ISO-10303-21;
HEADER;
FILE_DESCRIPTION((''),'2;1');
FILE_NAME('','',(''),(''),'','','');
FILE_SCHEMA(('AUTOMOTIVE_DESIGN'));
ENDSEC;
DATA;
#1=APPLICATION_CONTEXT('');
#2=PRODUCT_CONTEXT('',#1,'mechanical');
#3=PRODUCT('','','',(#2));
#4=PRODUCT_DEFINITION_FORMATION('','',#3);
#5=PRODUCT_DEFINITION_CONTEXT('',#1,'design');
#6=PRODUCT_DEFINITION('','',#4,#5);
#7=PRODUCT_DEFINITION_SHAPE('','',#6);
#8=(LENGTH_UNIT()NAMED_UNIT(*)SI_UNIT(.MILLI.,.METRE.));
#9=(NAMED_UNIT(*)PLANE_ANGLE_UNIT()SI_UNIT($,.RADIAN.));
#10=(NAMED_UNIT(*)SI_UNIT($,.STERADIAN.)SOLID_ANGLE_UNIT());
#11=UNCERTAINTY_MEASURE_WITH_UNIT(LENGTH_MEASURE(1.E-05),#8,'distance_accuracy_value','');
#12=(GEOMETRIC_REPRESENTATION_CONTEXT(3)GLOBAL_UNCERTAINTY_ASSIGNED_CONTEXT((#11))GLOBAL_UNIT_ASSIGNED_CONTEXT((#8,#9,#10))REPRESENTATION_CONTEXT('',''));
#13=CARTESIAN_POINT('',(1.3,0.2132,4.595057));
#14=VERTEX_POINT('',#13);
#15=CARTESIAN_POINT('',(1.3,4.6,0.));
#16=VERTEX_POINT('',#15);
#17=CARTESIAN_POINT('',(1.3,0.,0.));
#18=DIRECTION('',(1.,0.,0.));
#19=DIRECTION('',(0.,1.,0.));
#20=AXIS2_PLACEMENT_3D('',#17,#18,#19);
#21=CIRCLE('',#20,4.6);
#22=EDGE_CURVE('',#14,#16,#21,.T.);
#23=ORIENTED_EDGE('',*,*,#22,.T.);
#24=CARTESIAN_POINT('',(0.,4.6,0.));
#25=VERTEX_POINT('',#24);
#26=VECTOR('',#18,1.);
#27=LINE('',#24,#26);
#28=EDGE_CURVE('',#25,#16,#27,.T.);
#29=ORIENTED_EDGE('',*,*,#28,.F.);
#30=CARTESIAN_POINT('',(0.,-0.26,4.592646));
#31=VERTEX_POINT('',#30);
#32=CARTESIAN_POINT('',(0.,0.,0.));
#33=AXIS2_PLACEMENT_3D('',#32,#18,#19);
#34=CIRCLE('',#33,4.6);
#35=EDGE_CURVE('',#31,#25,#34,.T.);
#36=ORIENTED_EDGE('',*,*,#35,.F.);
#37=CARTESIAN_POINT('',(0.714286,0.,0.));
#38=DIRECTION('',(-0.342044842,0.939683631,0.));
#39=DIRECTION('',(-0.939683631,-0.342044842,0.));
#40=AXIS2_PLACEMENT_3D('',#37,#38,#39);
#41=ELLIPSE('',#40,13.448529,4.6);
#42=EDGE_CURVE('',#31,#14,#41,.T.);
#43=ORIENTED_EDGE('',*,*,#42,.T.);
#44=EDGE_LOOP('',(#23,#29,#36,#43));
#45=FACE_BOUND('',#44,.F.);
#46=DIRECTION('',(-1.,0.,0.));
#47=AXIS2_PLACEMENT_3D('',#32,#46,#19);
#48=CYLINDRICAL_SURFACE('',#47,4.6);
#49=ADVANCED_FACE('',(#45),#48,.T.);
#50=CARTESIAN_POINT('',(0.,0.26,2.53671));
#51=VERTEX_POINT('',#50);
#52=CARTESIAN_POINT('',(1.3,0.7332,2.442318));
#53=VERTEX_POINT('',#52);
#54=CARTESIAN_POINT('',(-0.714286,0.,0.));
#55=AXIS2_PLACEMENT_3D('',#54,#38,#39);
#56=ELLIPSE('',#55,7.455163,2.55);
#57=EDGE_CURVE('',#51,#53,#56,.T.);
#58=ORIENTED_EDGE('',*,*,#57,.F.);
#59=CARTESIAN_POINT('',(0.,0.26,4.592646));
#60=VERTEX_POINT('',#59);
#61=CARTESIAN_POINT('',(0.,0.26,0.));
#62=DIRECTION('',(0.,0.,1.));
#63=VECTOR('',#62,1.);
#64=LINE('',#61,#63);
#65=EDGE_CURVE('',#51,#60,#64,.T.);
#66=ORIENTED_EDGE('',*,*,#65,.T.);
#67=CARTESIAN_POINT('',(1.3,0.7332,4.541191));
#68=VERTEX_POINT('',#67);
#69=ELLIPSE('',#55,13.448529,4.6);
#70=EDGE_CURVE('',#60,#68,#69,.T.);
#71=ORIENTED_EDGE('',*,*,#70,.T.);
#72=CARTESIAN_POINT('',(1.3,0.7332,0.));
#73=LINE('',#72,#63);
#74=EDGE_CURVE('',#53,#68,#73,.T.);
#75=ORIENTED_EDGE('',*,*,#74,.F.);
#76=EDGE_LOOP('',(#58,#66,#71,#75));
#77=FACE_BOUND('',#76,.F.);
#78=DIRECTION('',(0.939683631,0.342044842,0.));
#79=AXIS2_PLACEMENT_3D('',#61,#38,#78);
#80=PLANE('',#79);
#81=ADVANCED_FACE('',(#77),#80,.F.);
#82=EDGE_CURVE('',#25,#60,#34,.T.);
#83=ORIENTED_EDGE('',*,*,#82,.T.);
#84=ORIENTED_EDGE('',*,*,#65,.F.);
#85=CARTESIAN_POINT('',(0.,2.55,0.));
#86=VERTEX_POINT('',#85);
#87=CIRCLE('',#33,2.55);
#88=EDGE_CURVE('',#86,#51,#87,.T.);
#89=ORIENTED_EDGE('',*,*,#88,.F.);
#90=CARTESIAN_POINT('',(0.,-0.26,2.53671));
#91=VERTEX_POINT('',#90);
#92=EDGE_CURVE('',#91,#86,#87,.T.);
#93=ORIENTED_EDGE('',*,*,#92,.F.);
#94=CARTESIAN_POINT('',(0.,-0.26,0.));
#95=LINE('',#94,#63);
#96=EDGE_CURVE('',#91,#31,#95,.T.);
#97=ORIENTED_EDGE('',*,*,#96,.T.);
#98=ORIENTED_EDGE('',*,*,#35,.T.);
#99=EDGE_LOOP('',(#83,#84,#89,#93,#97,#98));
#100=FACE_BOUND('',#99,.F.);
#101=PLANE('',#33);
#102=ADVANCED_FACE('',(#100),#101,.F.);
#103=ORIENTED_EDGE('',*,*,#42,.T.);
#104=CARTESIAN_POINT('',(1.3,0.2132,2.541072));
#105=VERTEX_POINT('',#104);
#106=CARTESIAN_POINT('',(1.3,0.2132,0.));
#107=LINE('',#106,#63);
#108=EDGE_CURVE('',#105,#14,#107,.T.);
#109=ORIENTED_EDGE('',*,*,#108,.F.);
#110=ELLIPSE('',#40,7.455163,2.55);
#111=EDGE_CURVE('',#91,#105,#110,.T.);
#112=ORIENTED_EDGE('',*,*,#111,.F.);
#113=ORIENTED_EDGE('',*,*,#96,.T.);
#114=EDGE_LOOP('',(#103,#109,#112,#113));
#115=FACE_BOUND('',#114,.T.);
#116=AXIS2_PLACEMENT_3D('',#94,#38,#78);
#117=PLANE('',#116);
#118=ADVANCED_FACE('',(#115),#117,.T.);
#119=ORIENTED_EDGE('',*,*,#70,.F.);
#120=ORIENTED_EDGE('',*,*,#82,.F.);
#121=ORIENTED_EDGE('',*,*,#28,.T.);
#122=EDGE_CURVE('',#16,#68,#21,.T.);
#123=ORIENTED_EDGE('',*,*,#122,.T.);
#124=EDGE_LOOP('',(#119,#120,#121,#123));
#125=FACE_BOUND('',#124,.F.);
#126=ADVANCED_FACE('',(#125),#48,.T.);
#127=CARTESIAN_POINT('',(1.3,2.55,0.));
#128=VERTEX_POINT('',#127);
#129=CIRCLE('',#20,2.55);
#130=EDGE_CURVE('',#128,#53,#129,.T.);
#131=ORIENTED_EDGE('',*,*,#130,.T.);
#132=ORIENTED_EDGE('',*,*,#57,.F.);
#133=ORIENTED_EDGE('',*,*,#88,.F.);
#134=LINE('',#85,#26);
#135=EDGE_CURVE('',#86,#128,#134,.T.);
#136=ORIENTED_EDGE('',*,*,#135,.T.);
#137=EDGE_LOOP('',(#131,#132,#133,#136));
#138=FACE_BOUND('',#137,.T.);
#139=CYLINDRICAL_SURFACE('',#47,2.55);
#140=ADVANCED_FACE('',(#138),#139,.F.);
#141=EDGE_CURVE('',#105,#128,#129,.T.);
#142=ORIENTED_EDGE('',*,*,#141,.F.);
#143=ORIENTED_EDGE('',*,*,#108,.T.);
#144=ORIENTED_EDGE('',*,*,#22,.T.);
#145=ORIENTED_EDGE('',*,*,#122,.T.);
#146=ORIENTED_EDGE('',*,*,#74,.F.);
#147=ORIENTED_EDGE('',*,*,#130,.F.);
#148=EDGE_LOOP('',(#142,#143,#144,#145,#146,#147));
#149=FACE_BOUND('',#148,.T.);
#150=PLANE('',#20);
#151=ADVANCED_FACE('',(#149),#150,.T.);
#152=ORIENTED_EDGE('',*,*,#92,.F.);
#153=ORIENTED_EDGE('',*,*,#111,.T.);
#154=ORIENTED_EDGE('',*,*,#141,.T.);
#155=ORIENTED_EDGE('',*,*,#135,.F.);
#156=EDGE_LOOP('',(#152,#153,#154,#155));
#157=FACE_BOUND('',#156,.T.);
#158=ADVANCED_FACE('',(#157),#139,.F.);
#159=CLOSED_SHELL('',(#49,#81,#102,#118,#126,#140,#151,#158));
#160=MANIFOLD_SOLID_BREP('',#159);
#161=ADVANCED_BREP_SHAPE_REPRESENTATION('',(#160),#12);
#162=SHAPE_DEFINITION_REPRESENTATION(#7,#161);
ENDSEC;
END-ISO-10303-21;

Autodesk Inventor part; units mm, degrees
ref_plane "YZ Plane" through (0, 0, 0) normal (1, 0, 0) x (0, 1, 0)
ref_plane "XZ Plane" through (0, 0, 0) normal (0, 1, 0) x (-1, 0, 0)
sketch "Sketch1" plane through (0, 0, 0) normal (1, 0, 0) x (0, 1, 0)
  circle A0 centre (0, 0) radius 4.6
  circle A1 centre (0, 0) radius 2.55
  dimension "d0" = 5.1
  dimension "d1" = 9.2
extrude "Body" add sketch "Sketch1" along normal blind 1.3
sketch "Sketch2" plane through (0, 0, 0) normal (0, 0, 1) x (1, 0, 0)
  line L0 (0, -2.55) -> (0, 2.55) projected
  line L1 (1.3, 4.6) -> (1.3, -4.6) projected
  line L2 (-1.2, 0) -> (7.2, 0) projected
  line L3 (0, -0.26) -> (1.3, 0.2132)
  line L4 (0, 0.26) -> (1.3, 0.7332)
  dimension "d4" = 0.26
  dimension "d5" = 0.26
  dimension "d6" = 70
extrude "Cut" cut sketch "Sketch2" along normal up to next contours L0 L2 L3 | L0 L4 L1 L3 L2
ref_plane "Work Plane1" through (0, 0, 0) normal (0, -1, 0) x (1, 0, 0)
equation "\"d0\" = SD1"
equation "\"d1\" = SD2"
equation "\"d2\" = SD"
equation "\"d4\" = 0.2 * SD"
equation "\"d5\" = 0.2 * SD"
equation "\"d6\" = FAWI"
equation "\"d7\" = SD"
equation "\"SD1\" = 5.1"
equation "\"SD2\" = 9.2"
equation "\"SD\" = 1.3"
equation "\"FAWI\" = 70deg"
equation "\"NND\" = 5"
properties part number "AS 1968 - 1976 - 5" material "Steel, Mild"
